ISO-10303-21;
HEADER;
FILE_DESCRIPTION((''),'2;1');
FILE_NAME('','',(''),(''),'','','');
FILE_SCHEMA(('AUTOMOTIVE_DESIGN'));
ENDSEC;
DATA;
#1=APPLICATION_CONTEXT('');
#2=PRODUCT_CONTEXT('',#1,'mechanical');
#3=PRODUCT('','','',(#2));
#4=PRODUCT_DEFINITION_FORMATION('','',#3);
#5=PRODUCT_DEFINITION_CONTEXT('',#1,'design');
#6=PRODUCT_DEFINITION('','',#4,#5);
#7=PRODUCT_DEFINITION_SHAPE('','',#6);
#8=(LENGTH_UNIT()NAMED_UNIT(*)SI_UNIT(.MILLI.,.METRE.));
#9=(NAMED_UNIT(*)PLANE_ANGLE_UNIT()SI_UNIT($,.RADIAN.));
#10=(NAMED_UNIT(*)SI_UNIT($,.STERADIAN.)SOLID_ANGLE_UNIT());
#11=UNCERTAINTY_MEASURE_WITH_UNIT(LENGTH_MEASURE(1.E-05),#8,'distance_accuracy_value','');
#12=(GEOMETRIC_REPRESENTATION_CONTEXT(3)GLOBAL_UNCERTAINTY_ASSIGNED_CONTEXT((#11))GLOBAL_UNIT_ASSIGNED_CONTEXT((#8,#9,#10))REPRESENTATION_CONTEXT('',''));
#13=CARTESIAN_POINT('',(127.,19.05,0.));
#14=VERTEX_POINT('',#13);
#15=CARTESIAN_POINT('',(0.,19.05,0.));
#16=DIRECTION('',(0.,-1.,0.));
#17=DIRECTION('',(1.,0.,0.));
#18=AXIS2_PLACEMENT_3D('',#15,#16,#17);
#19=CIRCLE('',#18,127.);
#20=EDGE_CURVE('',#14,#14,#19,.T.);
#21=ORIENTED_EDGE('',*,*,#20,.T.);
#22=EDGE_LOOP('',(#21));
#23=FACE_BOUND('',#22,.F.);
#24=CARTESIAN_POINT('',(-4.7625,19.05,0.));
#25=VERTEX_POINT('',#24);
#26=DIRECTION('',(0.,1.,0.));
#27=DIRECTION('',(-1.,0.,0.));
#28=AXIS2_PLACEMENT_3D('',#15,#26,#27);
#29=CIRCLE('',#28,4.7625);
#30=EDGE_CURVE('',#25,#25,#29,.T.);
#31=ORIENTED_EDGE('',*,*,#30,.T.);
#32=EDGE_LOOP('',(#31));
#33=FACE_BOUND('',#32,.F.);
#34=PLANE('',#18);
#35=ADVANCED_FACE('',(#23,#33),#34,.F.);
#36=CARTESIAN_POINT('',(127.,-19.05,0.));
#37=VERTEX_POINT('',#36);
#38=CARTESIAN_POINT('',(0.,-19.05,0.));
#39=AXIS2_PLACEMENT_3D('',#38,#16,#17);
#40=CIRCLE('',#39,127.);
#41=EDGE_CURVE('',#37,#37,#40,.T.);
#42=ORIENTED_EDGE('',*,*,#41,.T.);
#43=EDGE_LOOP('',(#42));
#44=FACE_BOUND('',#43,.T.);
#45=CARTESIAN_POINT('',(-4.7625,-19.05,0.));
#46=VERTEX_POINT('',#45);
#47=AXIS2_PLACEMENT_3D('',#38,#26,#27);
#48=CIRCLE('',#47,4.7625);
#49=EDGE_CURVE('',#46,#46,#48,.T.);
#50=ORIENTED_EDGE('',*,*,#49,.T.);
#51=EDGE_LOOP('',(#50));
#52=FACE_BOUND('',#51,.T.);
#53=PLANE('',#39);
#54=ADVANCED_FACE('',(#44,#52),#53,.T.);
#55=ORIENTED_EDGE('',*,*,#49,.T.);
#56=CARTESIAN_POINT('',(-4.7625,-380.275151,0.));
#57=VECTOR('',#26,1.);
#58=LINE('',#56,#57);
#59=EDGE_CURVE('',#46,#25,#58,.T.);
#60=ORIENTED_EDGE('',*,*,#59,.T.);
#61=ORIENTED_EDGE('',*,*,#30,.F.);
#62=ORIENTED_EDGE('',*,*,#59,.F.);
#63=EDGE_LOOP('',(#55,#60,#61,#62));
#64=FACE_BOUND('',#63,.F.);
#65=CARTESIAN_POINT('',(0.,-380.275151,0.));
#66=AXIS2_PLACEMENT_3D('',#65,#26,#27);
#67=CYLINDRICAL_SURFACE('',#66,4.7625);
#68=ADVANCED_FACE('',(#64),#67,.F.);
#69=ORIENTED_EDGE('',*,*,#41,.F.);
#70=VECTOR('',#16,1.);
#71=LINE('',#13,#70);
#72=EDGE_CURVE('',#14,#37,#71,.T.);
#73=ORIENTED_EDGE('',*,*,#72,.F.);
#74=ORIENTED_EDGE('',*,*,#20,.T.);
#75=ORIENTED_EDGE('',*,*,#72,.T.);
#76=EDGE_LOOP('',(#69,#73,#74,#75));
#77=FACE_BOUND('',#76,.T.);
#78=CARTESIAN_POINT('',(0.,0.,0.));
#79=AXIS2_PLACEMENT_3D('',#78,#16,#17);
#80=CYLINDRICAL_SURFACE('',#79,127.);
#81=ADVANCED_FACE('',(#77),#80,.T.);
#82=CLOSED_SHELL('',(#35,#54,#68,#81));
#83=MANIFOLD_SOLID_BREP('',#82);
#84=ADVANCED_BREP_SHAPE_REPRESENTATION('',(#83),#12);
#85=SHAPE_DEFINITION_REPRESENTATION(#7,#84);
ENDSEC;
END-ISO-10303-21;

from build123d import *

# Parameters (mm, degrees)
F0_R     = 127
F1_DEPTH = 19.05
F3_D     = 9.525


with BuildPart() as f1:
    # F0 (on Front) → F1 (new body, symmetric)
    with BuildSketch(Plane.XZ):
        Circle(F0_R)
    extrude(amount=F1_DEPTH, both=True)

    # F3 (through all)
    with Locations(Plane.XZ.offset(19.05)):
        with Locations((0, 0)):
            Hole(F3_D / 2)


solid = f1.part
